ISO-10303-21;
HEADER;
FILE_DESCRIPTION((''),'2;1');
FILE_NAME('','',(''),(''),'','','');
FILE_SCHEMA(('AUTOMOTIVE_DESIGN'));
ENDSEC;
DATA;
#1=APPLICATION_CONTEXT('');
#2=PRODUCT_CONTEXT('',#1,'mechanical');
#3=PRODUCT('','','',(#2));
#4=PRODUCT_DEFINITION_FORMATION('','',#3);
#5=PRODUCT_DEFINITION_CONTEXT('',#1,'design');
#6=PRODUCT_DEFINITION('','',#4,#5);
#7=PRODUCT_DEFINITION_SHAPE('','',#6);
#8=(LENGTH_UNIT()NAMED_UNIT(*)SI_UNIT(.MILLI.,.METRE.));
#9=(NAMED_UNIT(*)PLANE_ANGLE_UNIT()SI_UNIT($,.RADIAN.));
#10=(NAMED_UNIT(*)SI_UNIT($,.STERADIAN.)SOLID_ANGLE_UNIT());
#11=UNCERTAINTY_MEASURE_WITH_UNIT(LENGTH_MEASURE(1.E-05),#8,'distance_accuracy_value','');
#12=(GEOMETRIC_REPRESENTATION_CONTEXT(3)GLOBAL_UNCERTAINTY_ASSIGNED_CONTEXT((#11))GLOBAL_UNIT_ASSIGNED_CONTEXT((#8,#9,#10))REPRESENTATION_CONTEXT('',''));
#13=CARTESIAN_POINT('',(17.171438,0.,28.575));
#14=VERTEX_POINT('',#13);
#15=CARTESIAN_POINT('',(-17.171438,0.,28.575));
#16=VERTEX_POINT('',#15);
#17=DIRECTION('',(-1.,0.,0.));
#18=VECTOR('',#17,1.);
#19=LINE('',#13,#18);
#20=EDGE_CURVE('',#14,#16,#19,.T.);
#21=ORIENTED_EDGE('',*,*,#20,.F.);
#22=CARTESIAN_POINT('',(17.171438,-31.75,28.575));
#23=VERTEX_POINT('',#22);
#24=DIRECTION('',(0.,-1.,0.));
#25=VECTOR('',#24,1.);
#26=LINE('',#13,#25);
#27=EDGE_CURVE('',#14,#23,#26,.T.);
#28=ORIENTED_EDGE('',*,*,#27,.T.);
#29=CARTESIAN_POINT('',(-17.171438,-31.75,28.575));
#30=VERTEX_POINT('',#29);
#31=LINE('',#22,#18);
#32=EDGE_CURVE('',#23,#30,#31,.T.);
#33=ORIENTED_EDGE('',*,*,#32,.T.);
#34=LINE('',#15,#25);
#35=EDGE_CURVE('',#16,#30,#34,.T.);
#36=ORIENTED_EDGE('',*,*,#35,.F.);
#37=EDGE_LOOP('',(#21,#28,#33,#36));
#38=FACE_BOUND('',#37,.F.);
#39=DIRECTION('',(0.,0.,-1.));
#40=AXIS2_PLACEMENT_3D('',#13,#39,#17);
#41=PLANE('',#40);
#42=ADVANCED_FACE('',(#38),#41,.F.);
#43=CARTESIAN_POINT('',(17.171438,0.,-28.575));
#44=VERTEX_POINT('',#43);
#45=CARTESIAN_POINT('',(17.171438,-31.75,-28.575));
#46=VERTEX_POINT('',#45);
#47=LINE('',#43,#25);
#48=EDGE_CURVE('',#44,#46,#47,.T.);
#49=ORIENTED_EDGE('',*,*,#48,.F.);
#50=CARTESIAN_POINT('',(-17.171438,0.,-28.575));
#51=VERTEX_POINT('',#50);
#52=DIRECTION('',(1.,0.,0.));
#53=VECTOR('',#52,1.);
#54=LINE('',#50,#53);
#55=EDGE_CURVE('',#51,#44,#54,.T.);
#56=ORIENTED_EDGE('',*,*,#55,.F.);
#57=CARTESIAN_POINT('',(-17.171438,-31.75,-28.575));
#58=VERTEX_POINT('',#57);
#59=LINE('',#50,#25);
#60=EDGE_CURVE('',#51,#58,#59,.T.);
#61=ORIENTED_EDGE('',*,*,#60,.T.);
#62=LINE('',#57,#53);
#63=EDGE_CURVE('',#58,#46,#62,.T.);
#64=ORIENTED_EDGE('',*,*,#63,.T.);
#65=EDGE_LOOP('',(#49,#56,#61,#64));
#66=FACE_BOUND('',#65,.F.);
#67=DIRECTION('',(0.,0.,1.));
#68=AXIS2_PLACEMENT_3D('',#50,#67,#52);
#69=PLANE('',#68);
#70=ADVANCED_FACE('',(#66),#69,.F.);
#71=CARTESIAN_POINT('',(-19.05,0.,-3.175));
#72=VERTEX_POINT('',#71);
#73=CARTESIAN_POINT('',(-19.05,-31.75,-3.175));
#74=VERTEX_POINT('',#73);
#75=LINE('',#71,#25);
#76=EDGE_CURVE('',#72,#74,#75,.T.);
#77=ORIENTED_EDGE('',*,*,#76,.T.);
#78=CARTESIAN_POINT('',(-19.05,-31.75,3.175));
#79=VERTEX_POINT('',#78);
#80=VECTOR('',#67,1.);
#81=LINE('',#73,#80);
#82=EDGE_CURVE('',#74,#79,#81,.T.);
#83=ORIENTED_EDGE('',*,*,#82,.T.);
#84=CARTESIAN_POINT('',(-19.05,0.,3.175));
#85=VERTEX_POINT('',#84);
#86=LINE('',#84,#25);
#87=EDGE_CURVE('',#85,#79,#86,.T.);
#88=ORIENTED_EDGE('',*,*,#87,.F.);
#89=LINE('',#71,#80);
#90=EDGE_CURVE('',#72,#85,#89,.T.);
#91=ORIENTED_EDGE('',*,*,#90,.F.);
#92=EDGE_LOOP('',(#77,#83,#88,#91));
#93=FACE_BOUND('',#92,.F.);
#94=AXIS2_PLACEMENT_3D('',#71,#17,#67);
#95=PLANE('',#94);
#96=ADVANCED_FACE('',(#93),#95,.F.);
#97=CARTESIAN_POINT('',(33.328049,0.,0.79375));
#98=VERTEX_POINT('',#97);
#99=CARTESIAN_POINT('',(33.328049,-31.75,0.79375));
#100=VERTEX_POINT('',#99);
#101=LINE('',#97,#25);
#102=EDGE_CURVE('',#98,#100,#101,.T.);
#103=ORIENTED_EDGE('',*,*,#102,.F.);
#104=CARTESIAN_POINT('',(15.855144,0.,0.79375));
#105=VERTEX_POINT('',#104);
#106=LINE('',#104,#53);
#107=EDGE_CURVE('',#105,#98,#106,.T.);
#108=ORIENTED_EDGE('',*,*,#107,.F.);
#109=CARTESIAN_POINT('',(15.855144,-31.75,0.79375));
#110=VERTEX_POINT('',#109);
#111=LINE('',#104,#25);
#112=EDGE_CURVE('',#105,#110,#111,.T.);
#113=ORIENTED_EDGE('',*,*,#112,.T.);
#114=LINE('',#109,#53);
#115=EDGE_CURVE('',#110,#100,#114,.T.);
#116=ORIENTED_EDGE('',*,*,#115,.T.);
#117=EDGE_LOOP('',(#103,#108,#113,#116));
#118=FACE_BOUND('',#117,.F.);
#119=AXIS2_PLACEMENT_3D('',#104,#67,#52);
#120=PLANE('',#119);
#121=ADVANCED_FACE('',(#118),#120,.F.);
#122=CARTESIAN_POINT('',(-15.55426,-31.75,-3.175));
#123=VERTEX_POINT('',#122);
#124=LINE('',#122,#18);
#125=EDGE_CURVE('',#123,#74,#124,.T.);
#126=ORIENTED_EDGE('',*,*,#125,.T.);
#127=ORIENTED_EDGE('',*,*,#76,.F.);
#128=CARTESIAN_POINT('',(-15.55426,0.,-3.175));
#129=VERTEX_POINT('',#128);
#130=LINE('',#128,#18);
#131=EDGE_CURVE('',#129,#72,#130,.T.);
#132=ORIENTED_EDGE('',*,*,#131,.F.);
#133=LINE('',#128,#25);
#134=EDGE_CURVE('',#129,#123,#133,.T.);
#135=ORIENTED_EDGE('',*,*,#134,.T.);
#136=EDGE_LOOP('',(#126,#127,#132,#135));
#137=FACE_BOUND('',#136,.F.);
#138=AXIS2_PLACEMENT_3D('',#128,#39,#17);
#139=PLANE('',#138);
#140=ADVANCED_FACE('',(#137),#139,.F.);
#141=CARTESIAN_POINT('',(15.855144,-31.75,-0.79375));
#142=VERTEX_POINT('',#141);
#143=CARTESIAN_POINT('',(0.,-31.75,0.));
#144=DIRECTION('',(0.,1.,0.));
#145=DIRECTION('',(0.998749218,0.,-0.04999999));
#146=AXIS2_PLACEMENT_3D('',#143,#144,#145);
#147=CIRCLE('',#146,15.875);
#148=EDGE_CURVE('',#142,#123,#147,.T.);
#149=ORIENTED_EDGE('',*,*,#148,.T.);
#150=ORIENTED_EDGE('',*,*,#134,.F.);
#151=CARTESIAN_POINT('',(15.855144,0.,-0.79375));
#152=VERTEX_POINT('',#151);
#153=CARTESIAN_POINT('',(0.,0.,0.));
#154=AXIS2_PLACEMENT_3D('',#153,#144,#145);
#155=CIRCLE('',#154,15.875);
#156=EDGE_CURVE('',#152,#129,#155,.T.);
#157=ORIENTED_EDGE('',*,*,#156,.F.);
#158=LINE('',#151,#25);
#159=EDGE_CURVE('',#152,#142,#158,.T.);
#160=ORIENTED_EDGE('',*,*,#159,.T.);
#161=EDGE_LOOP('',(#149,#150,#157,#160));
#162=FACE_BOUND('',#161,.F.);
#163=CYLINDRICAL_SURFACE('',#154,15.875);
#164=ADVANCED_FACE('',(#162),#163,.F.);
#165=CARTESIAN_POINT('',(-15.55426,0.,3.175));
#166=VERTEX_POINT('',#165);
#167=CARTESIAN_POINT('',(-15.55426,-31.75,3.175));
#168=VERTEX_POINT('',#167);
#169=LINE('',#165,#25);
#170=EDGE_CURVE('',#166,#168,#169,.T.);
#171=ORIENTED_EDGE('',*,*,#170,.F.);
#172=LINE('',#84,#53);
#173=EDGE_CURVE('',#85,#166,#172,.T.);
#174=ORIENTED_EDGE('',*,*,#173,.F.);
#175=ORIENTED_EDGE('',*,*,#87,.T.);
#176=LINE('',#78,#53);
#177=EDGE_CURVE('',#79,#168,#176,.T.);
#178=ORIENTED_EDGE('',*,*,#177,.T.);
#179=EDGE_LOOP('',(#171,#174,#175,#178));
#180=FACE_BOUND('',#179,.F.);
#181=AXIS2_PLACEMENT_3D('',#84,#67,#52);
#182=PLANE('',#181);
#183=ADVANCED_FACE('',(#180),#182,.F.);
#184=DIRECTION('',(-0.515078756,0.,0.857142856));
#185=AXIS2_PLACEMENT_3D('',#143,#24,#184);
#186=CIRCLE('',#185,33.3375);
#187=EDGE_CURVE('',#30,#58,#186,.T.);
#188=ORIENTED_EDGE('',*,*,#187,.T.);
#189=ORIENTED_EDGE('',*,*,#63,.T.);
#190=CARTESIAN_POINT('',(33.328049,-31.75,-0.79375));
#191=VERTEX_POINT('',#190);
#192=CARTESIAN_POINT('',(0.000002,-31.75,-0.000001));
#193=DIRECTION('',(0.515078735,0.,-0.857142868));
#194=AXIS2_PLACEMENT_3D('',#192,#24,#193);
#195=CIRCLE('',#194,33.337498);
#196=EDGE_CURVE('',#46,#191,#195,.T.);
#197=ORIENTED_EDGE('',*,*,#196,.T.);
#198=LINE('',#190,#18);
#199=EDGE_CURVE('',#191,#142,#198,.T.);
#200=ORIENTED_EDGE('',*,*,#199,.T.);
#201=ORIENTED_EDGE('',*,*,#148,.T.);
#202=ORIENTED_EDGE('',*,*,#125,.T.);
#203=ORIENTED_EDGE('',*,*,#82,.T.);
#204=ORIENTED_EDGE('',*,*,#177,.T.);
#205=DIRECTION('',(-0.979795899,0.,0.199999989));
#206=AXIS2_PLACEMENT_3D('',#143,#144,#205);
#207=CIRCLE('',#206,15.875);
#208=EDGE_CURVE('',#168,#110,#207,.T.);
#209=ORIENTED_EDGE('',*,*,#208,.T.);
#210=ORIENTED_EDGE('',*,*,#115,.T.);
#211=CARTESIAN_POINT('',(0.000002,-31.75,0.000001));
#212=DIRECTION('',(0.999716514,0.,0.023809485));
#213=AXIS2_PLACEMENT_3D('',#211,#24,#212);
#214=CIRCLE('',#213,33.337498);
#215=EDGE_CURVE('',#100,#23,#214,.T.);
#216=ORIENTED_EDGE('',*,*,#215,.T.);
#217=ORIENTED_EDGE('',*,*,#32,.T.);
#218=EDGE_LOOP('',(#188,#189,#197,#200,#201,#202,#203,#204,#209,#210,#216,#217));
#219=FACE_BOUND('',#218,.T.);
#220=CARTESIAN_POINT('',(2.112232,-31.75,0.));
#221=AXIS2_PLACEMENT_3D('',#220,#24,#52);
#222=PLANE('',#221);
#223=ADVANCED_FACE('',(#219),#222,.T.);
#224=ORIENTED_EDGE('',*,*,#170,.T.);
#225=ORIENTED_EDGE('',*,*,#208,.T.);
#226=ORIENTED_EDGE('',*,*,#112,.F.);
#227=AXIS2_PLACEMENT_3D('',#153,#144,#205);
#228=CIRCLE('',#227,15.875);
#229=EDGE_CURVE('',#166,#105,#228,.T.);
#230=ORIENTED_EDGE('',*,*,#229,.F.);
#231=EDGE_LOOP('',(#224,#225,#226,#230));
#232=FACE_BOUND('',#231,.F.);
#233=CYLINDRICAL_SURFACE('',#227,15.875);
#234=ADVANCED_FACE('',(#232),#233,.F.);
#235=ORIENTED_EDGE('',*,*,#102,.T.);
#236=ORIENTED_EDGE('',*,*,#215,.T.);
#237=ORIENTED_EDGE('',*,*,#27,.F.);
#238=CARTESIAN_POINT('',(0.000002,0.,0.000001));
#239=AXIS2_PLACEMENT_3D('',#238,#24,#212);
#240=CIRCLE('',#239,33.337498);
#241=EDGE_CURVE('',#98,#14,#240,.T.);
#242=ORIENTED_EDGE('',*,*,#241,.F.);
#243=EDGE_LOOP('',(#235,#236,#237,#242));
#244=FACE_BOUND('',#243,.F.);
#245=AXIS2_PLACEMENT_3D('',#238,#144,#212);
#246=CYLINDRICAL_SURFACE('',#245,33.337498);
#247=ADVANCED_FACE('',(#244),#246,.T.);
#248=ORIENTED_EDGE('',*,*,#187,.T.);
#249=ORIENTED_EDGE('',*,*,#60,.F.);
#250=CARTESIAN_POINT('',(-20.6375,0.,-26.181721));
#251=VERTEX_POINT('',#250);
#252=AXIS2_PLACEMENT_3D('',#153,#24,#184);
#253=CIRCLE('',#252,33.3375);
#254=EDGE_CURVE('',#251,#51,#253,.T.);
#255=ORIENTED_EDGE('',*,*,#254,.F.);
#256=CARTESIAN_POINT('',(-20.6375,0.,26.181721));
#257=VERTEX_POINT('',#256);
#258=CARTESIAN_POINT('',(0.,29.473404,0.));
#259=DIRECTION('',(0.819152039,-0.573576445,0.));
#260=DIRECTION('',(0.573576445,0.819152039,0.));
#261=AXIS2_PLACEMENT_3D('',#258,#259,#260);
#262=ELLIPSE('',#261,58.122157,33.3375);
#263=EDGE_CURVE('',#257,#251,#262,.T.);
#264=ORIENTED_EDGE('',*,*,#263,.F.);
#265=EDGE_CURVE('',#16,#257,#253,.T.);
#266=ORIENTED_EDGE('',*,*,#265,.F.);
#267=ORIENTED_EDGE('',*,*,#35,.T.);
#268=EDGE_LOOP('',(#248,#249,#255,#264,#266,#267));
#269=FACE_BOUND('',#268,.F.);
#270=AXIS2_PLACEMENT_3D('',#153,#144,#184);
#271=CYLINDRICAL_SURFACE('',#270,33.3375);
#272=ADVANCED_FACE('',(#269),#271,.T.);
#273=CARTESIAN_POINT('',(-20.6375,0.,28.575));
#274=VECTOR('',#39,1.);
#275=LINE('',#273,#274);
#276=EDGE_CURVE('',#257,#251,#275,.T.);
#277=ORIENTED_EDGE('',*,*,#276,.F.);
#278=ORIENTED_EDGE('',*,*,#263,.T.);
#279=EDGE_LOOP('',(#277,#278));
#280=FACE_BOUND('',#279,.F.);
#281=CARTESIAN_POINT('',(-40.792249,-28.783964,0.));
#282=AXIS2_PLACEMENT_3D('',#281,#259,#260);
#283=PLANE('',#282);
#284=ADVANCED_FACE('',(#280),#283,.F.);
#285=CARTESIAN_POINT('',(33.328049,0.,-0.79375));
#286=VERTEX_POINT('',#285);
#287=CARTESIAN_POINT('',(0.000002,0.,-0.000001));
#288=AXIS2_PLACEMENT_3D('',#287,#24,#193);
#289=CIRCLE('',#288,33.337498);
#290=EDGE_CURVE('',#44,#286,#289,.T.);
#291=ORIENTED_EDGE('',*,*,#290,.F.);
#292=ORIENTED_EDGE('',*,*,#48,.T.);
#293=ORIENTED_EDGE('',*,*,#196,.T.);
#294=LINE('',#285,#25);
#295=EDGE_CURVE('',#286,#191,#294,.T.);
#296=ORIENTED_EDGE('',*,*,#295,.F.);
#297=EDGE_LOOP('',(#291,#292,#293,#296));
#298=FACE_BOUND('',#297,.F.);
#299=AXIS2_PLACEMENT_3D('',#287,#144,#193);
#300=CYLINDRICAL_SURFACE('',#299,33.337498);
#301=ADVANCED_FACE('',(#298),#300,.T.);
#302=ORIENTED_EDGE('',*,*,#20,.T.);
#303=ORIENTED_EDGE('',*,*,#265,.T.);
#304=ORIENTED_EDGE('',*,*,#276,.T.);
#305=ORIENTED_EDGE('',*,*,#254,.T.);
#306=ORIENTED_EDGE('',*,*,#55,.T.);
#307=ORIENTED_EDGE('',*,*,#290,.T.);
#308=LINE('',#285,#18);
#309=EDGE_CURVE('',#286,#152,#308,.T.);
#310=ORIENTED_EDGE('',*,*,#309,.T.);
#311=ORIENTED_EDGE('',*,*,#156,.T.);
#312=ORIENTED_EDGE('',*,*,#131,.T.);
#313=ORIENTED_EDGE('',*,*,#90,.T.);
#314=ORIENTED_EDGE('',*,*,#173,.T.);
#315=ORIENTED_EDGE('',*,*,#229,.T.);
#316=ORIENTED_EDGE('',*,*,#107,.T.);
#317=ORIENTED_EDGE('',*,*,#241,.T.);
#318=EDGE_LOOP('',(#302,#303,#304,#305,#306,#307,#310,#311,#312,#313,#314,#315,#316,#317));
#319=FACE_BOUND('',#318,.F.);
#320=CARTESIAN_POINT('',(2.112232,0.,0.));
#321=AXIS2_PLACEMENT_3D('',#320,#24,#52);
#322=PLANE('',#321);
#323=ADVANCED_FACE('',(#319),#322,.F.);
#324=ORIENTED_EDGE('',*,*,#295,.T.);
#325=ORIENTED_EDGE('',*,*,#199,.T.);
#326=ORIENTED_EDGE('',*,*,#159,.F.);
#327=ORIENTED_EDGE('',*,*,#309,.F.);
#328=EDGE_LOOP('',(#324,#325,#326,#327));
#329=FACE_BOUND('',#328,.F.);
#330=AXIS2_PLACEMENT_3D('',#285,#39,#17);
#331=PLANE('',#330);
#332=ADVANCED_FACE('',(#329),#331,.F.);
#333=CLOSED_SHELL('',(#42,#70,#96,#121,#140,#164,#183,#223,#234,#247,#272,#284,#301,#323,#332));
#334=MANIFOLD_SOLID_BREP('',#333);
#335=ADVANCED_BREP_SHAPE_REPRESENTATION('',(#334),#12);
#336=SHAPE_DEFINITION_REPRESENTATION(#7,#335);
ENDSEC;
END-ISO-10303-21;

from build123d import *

# Parameters (mm, degrees)
F1_DEPTH = 31.75
F3_DEPTH = 28.575


with BuildPart() as f1:
    # F0 (on Front) → F1 (new body)
    with BuildSketch(Plane.XZ):
        with BuildLine():
            Line((15.855144, 0.79375), (33.328049, 0.79375))
            ThreePointArc((33.328049, 0.79375), (28.81838, 16.75977), (17.171438, 28.575))
            Line((17.171438, 28.575), (-17.171438, 28.575))
            ThreePointArc((-17.171438, 28.575), (-33.3375, 0), (-17.171438, -28.575))
            Line((-17.171438, -28.575), (17.171438, -28.575))
            ThreePointArc((17.171438, -28.575), (28.81838, -16.75977), (33.328049, -0.79375))
            Line((33.328049, -0.79375), (15.855144, -0.79375))
            ThreePointArc((15.855144, -0.79375), (1.200092, -15.829574), (-15.55426, -3.175))
            Line((-15.55426, -3.175), (-19.05, -3.175))
            Line((-19.05, -3.175), (-19.05, 3.175))
            Line((-19.05, 3.175), (-15.55426, 3.175))
            ThreePointArc((-15.55426, 3.175), (1.200092, 15.829574), (15.855144, 0.79375))
        make_face()
    extrude(amount=F1_DEPTH)

    # F2 (on Top) → F3 (cut, symmetric)
    with BuildSketch(Plane.XY):
        Polygon((-20.6375, 0), (-20.6375, 6.484366), (-46.338774, 6.484366), (-45.356732, -28.783964), (-40.792249, -28.783964), align=None)
    extrude(amount=F3_DEPTH, both=True, mode=Mode.SUBTRACT)


solid = f1.part
